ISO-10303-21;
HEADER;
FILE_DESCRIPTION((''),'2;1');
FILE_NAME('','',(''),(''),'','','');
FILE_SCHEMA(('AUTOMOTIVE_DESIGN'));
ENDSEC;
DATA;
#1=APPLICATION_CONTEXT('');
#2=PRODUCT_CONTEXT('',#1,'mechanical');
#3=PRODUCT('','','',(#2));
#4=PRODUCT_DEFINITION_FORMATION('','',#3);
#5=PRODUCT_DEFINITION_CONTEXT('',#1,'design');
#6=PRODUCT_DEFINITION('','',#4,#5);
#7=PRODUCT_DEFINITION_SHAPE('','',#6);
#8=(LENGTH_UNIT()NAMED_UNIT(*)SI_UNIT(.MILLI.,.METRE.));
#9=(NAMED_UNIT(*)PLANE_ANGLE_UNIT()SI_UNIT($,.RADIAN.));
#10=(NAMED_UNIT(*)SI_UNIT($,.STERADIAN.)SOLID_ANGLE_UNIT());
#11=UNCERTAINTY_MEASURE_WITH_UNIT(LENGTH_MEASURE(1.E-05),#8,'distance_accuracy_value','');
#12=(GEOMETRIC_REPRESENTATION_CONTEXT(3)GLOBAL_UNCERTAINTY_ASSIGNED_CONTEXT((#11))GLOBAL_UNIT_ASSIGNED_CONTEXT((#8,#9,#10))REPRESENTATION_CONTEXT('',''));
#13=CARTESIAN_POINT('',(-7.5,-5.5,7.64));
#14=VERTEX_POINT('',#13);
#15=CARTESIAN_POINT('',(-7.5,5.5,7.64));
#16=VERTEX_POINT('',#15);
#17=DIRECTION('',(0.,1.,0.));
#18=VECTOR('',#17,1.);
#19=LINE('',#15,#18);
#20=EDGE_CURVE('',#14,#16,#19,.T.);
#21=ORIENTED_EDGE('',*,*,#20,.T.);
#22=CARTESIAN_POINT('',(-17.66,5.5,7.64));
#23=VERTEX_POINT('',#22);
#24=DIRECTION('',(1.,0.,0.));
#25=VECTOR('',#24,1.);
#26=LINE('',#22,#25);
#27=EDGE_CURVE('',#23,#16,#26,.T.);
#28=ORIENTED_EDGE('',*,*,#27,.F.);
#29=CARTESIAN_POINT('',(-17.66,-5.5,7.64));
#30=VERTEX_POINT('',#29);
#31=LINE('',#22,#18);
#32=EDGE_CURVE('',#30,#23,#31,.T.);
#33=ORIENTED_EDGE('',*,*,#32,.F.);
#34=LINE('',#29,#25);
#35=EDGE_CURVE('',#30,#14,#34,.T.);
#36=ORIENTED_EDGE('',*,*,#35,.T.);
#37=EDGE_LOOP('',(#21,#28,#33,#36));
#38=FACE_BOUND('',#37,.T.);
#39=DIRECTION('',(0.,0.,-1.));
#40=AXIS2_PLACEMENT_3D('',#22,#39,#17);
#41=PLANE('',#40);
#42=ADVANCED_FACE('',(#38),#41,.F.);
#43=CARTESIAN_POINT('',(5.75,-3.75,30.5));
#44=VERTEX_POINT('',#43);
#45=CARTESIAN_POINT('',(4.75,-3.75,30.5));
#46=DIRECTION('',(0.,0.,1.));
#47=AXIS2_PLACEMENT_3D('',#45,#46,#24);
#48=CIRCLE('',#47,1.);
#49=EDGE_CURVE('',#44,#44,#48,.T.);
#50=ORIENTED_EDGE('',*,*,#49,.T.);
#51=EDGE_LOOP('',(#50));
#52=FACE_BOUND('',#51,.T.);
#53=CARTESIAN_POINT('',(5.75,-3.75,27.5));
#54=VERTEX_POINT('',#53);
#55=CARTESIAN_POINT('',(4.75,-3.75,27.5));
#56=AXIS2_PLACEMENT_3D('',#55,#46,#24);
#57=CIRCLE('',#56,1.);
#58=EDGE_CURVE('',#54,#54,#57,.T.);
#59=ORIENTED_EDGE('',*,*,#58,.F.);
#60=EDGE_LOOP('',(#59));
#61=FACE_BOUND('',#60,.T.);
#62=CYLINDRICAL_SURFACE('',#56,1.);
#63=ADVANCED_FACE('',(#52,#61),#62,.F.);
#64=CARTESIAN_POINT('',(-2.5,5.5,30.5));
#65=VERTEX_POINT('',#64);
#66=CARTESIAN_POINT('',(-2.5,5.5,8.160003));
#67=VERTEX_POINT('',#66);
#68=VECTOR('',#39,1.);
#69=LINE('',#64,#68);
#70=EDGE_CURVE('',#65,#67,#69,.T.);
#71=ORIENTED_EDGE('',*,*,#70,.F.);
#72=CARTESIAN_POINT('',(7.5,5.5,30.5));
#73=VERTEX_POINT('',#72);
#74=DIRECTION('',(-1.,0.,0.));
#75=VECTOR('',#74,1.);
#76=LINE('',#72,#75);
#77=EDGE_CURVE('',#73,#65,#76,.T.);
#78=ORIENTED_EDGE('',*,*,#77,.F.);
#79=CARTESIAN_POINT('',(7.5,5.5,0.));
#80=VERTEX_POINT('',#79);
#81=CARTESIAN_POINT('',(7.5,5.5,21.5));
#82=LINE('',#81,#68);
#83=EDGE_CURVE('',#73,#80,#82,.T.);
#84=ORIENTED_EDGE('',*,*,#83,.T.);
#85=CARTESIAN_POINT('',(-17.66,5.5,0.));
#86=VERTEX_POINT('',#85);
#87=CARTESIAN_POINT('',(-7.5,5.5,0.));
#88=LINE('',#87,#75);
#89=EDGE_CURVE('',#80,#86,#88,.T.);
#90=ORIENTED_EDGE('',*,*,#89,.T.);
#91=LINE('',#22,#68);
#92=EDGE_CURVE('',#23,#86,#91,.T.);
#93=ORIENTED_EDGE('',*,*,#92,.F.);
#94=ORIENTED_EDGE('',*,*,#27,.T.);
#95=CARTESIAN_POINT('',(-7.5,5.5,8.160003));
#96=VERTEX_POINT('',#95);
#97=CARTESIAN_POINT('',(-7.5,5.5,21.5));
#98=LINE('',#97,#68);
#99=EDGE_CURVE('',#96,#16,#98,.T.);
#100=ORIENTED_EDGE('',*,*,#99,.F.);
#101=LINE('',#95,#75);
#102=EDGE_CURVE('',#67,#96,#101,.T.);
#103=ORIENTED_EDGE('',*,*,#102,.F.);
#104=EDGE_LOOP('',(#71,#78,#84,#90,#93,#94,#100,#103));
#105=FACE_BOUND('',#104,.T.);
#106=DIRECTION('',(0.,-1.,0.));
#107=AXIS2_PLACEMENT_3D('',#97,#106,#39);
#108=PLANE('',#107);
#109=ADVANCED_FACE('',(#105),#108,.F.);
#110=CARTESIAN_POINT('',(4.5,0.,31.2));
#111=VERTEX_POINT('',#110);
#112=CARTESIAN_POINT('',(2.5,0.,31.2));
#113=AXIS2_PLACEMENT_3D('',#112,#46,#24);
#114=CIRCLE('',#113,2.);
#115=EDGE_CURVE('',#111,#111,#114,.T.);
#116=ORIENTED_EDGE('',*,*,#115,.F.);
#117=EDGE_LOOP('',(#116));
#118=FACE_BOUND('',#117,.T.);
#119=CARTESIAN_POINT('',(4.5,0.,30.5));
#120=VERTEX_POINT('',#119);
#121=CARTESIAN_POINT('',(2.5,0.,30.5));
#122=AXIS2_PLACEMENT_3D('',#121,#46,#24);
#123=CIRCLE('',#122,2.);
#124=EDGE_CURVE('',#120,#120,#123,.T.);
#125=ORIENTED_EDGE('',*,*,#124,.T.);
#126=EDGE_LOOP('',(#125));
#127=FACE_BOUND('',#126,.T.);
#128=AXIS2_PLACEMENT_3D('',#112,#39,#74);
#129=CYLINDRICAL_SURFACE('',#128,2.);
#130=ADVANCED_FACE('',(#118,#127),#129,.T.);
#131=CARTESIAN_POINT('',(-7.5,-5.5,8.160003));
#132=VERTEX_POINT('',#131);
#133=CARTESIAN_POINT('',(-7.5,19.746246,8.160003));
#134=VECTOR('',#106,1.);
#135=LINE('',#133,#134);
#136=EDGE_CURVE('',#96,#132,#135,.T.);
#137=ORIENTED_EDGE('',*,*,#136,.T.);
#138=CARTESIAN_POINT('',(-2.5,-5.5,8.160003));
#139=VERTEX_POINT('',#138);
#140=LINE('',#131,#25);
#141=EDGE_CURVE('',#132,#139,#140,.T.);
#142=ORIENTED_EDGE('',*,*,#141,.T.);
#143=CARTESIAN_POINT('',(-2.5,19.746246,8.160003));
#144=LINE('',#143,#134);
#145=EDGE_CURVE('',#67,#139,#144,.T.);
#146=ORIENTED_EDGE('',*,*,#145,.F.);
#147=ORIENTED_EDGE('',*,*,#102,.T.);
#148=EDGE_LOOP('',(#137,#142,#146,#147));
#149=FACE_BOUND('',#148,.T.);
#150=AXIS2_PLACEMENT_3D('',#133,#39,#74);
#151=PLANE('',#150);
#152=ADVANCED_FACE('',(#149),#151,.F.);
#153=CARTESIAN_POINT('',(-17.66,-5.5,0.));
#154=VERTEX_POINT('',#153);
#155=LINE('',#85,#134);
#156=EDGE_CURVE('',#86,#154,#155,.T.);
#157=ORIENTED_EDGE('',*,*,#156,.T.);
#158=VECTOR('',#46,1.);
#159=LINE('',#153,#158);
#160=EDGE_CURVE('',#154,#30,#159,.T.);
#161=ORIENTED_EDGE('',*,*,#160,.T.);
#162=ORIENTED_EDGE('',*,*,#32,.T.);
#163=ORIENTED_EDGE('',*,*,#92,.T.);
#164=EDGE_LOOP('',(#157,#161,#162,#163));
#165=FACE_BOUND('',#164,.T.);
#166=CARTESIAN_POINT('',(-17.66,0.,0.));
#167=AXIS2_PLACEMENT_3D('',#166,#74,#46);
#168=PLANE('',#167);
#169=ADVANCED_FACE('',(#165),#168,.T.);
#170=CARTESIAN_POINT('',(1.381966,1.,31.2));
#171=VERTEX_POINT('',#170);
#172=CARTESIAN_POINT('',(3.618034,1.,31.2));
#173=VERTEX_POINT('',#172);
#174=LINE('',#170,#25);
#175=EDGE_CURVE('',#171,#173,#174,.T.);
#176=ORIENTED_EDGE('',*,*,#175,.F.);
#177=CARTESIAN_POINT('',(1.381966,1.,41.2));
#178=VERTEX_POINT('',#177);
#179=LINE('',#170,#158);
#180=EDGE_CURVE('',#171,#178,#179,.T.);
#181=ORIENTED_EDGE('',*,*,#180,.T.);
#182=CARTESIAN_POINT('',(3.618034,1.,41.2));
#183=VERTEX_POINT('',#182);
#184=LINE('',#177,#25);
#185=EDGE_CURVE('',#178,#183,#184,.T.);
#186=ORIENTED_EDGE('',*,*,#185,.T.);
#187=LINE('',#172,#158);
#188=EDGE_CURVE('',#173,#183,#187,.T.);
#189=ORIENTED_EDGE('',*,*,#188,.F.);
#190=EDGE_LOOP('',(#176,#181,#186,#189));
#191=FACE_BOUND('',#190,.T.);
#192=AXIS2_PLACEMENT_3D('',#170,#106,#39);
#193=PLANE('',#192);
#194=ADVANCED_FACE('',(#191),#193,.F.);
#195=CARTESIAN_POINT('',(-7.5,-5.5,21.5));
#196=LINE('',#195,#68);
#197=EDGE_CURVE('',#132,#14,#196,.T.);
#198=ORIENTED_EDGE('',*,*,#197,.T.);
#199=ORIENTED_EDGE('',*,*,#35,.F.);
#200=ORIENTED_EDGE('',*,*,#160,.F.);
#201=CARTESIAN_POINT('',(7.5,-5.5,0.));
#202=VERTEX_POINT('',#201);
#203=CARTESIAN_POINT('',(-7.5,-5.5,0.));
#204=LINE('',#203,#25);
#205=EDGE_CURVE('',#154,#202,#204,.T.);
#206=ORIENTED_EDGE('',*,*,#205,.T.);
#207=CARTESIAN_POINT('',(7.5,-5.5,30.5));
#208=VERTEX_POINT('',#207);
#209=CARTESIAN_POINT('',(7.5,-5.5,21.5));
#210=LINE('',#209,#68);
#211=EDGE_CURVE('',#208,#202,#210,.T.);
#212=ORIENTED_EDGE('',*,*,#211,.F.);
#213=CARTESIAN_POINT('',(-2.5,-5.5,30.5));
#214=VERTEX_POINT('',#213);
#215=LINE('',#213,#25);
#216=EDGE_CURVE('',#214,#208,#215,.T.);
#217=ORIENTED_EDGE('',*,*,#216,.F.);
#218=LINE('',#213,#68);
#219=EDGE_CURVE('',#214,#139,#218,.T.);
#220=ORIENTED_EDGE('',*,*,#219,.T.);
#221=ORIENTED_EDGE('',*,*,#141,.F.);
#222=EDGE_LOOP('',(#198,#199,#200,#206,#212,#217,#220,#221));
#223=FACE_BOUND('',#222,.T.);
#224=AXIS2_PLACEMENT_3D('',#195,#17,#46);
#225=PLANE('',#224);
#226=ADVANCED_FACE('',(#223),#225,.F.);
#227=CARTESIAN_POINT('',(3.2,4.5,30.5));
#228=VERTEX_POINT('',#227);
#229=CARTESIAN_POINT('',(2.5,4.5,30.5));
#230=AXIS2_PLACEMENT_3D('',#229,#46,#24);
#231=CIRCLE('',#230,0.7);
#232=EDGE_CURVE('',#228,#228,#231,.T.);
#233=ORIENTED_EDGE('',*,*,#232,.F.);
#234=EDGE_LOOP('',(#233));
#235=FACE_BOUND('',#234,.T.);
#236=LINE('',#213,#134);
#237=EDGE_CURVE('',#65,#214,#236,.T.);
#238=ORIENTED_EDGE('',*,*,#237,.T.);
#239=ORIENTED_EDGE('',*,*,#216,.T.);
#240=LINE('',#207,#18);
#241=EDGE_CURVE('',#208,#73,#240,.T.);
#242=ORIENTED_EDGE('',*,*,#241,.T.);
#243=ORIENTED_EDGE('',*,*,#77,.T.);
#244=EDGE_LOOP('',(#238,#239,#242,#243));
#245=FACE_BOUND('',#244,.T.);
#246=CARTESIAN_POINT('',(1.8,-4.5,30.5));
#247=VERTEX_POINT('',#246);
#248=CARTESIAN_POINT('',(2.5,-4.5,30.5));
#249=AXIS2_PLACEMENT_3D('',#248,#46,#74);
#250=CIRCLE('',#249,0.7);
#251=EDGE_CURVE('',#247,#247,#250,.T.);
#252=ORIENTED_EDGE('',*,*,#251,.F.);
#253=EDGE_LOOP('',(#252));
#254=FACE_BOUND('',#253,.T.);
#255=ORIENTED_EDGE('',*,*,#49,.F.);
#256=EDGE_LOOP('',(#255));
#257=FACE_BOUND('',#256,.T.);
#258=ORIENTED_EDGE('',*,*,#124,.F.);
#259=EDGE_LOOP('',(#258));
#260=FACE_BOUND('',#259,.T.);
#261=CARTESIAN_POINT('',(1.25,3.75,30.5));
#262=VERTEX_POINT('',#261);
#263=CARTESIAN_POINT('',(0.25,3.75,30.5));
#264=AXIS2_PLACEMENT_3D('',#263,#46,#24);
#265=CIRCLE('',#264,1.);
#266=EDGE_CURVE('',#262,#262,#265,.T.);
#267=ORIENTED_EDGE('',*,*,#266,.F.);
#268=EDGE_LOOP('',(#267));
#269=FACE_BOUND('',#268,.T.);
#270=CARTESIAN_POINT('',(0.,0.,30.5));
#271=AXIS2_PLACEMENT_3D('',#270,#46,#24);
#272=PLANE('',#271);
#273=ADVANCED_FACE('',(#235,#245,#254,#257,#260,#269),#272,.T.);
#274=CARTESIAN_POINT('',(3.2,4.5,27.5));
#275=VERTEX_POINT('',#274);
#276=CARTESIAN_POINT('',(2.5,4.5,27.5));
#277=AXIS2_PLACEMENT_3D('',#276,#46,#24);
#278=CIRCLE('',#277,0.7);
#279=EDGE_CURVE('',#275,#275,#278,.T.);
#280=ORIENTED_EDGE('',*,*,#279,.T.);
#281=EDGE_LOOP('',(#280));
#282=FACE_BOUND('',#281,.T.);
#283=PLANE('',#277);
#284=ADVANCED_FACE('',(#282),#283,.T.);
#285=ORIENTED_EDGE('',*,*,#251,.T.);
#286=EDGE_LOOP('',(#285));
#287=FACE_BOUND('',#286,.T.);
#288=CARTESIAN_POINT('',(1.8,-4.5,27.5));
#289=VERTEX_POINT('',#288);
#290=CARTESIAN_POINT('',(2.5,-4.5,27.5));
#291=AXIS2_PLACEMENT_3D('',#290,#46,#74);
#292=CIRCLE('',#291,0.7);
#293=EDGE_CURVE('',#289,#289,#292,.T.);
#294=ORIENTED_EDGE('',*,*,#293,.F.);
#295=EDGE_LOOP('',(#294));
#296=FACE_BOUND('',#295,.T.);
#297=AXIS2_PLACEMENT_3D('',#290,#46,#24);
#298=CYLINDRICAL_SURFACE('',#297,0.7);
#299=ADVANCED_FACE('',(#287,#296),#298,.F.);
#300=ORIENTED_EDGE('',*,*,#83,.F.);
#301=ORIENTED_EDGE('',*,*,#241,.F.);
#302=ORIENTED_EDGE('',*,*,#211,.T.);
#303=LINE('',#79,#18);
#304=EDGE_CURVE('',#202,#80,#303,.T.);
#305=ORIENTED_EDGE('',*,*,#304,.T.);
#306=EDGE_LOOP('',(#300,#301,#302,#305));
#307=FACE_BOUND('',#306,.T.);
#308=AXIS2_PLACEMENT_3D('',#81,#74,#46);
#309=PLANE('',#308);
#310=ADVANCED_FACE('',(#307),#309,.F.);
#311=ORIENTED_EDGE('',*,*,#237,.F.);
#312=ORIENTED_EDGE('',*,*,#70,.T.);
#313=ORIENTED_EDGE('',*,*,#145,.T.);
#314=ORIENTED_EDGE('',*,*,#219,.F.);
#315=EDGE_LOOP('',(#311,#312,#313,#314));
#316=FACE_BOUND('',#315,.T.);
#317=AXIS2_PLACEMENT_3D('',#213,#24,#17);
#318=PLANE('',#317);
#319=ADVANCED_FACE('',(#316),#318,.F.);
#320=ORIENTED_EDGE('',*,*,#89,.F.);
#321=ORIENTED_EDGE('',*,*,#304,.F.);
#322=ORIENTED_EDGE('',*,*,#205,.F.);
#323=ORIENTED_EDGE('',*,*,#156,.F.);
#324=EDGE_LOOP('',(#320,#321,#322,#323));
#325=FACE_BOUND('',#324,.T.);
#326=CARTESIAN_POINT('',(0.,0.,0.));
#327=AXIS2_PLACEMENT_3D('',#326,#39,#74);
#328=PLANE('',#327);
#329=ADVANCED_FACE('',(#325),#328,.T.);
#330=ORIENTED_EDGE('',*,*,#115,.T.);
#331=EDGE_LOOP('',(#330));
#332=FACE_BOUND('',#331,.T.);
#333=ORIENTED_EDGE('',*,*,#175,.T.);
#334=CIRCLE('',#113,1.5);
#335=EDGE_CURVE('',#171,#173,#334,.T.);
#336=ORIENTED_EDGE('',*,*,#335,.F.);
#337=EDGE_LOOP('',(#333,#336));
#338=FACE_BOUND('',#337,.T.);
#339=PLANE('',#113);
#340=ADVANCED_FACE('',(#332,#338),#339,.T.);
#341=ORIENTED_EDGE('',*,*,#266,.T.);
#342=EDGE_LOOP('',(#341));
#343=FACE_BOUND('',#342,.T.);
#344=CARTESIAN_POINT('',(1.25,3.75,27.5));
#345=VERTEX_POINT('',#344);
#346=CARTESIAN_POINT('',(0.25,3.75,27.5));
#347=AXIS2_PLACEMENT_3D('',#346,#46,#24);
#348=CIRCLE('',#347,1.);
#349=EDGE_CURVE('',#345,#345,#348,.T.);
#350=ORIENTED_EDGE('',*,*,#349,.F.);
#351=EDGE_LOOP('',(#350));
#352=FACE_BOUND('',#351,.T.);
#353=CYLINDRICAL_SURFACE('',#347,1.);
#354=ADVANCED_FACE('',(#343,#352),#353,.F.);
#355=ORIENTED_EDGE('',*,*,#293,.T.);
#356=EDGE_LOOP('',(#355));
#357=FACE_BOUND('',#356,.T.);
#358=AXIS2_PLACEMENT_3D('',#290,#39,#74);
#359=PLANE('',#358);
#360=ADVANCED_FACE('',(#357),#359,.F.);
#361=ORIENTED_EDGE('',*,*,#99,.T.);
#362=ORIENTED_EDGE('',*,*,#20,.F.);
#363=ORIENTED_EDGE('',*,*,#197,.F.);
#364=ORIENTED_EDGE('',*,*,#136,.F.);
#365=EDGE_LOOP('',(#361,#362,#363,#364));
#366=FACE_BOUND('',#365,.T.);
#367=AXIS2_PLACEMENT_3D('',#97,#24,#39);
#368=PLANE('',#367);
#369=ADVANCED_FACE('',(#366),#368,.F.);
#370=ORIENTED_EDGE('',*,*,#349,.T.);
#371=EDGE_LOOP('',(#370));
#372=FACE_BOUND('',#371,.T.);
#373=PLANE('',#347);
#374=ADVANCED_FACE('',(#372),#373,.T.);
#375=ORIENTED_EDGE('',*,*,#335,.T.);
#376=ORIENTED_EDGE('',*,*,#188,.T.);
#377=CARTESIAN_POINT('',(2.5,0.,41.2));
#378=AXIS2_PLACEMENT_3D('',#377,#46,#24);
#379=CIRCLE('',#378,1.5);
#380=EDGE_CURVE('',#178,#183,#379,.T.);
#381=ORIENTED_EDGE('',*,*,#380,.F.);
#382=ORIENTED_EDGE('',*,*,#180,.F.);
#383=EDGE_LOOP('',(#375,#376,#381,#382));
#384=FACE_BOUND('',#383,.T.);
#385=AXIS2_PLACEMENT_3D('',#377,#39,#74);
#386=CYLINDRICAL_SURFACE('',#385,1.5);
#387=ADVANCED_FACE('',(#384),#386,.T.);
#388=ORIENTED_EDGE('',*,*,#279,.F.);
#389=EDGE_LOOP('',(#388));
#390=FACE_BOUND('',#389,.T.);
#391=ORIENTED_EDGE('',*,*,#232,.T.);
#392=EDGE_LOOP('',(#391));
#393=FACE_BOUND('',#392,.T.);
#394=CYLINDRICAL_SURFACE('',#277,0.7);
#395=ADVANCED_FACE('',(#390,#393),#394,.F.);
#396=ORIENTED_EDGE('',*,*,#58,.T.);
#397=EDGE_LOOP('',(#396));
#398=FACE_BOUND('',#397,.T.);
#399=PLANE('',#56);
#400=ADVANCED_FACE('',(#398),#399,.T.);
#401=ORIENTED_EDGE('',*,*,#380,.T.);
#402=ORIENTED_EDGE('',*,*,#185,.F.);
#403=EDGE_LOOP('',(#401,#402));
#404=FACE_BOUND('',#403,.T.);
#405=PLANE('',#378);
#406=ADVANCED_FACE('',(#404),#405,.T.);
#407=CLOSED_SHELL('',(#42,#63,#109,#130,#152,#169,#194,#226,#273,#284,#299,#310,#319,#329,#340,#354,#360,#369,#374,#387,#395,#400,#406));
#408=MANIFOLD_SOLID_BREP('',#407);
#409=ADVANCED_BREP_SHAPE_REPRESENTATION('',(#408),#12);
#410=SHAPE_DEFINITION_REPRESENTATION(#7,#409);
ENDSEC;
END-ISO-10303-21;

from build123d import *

# Parameters (mm, degrees)
SKETCH1_W           = 15
SKETCH1_H           = 11
BOSS_EXTRUDE1_DEPTH = 21.5
SKETCH2_W           = 10
SKETCH2_H           = 11
BOSS_EXTRUDE2_DEPTH = 9
SKETCH3_R           = 2
BOSS_EXTRUDE3_DEPTH = 0.7
SKETCH4_R           = 1.5
BOSS_EXTRUDE4_DEPTH = 10
CUT_EXTRUDE1_DEPTH  = 10
SKETCH6_R           = 0.7
SKETCH6_R_2         = 1
CUT_EXTRUDE2_DEPTH  = 3
SKETCH7_W           = 7.64
SKETCH7_H           = 11
BOSS_EXTRUDE5_DEPTH = 10.16
SKETCH8_W           = 5
SKETCH8_H           = 13.3399974
CUT_EXTRUDE3_DEPTH  = 11


with BuildPart() as part:
    # Sketch1 → Boss-Extrude1 (new body)
    with BuildSketch(Plane.XY):
        Rectangle(SKETCH1_W, SKETCH1_H)
    extrude(amount=BOSS_EXTRUDE1_DEPTH)

    # Sketch2 → Boss-Extrude2 (add)
    with BuildSketch(Plane.XY.offset(21.5)):
        with Locations((2.5, 0)):
            Rectangle(SKETCH2_W, SKETCH2_H)
    extrude(amount=BOSS_EXTRUDE2_DEPTH)

    # Sketch3 → Boss-Extrude3 (add)
    with BuildSketch(Plane.XY.offset(30.5)):
        with Locations((2.5, 0)):
            Circle(SKETCH3_R)
    extrude(amount=BOSS_EXTRUDE3_DEPTH)

    # Sketch4 → Boss-Extrude4 (add)
    with BuildSketch(Plane.XY.offset(31.2)):
        with Locations((2.5, 0)):
            Circle(SKETCH4_R)
    extrude(amount=BOSS_EXTRUDE4_DEPTH)

    # Sketch5 → Cut-Extrude1 (cut)
    with BuildSketch(Plane.XY.offset(41.2)):
        with BuildLine():
            Line((1.381966011, 1), (3.618033989, 1))
            ThreePointArc((3.618033989, 1), (2.5, 1.5), (1.381966011, 1))
        make_face()
    extrude(amount=-CUT_EXTRUDE1_DEPTH, mode=Mode.SUBTRACT)

    # Sketch6 → Cut-Extrude2 (cut)
    with BuildSketch(Plane.XY.offset(30.5)):
        with Locations((2.5, 4.5)):
            Circle(SKETCH6_R)
        with Locations((2.5, -4.5)):
            Circle(SKETCH6_R)
        with Locations((4.75, -3.75)):
            Circle(SKETCH6_R_2)
        with Locations((0.25, 3.75)):
            Circle(SKETCH6_R_2)
    extrude(amount=-CUT_EXTRUDE2_DEPTH, mode=Mode.SUBTRACT)

    # Sketch7 → Boss-Extrude5 (add)
    with BuildSketch(Plane.ZY.offset(7.5)):
        with Locations((3.82, 0)):
            Rectangle(SKETCH7_W, SKETCH7_H)
    extrude(amount=BOSS_EXTRUDE5_DEPTH)

    # Sketch8 → Cut-Extrude3 (cut)
    with BuildSketch(Plane.XZ.offset(5.5)):
        with Locations((-5, 14.8300013)):
            Rectangle(SKETCH8_W, SKETCH8_H)
    extrude(amount=-CUT_EXTRUDE3_DEPTH, mode=Mode.SUBTRACT)


solid = part.part
